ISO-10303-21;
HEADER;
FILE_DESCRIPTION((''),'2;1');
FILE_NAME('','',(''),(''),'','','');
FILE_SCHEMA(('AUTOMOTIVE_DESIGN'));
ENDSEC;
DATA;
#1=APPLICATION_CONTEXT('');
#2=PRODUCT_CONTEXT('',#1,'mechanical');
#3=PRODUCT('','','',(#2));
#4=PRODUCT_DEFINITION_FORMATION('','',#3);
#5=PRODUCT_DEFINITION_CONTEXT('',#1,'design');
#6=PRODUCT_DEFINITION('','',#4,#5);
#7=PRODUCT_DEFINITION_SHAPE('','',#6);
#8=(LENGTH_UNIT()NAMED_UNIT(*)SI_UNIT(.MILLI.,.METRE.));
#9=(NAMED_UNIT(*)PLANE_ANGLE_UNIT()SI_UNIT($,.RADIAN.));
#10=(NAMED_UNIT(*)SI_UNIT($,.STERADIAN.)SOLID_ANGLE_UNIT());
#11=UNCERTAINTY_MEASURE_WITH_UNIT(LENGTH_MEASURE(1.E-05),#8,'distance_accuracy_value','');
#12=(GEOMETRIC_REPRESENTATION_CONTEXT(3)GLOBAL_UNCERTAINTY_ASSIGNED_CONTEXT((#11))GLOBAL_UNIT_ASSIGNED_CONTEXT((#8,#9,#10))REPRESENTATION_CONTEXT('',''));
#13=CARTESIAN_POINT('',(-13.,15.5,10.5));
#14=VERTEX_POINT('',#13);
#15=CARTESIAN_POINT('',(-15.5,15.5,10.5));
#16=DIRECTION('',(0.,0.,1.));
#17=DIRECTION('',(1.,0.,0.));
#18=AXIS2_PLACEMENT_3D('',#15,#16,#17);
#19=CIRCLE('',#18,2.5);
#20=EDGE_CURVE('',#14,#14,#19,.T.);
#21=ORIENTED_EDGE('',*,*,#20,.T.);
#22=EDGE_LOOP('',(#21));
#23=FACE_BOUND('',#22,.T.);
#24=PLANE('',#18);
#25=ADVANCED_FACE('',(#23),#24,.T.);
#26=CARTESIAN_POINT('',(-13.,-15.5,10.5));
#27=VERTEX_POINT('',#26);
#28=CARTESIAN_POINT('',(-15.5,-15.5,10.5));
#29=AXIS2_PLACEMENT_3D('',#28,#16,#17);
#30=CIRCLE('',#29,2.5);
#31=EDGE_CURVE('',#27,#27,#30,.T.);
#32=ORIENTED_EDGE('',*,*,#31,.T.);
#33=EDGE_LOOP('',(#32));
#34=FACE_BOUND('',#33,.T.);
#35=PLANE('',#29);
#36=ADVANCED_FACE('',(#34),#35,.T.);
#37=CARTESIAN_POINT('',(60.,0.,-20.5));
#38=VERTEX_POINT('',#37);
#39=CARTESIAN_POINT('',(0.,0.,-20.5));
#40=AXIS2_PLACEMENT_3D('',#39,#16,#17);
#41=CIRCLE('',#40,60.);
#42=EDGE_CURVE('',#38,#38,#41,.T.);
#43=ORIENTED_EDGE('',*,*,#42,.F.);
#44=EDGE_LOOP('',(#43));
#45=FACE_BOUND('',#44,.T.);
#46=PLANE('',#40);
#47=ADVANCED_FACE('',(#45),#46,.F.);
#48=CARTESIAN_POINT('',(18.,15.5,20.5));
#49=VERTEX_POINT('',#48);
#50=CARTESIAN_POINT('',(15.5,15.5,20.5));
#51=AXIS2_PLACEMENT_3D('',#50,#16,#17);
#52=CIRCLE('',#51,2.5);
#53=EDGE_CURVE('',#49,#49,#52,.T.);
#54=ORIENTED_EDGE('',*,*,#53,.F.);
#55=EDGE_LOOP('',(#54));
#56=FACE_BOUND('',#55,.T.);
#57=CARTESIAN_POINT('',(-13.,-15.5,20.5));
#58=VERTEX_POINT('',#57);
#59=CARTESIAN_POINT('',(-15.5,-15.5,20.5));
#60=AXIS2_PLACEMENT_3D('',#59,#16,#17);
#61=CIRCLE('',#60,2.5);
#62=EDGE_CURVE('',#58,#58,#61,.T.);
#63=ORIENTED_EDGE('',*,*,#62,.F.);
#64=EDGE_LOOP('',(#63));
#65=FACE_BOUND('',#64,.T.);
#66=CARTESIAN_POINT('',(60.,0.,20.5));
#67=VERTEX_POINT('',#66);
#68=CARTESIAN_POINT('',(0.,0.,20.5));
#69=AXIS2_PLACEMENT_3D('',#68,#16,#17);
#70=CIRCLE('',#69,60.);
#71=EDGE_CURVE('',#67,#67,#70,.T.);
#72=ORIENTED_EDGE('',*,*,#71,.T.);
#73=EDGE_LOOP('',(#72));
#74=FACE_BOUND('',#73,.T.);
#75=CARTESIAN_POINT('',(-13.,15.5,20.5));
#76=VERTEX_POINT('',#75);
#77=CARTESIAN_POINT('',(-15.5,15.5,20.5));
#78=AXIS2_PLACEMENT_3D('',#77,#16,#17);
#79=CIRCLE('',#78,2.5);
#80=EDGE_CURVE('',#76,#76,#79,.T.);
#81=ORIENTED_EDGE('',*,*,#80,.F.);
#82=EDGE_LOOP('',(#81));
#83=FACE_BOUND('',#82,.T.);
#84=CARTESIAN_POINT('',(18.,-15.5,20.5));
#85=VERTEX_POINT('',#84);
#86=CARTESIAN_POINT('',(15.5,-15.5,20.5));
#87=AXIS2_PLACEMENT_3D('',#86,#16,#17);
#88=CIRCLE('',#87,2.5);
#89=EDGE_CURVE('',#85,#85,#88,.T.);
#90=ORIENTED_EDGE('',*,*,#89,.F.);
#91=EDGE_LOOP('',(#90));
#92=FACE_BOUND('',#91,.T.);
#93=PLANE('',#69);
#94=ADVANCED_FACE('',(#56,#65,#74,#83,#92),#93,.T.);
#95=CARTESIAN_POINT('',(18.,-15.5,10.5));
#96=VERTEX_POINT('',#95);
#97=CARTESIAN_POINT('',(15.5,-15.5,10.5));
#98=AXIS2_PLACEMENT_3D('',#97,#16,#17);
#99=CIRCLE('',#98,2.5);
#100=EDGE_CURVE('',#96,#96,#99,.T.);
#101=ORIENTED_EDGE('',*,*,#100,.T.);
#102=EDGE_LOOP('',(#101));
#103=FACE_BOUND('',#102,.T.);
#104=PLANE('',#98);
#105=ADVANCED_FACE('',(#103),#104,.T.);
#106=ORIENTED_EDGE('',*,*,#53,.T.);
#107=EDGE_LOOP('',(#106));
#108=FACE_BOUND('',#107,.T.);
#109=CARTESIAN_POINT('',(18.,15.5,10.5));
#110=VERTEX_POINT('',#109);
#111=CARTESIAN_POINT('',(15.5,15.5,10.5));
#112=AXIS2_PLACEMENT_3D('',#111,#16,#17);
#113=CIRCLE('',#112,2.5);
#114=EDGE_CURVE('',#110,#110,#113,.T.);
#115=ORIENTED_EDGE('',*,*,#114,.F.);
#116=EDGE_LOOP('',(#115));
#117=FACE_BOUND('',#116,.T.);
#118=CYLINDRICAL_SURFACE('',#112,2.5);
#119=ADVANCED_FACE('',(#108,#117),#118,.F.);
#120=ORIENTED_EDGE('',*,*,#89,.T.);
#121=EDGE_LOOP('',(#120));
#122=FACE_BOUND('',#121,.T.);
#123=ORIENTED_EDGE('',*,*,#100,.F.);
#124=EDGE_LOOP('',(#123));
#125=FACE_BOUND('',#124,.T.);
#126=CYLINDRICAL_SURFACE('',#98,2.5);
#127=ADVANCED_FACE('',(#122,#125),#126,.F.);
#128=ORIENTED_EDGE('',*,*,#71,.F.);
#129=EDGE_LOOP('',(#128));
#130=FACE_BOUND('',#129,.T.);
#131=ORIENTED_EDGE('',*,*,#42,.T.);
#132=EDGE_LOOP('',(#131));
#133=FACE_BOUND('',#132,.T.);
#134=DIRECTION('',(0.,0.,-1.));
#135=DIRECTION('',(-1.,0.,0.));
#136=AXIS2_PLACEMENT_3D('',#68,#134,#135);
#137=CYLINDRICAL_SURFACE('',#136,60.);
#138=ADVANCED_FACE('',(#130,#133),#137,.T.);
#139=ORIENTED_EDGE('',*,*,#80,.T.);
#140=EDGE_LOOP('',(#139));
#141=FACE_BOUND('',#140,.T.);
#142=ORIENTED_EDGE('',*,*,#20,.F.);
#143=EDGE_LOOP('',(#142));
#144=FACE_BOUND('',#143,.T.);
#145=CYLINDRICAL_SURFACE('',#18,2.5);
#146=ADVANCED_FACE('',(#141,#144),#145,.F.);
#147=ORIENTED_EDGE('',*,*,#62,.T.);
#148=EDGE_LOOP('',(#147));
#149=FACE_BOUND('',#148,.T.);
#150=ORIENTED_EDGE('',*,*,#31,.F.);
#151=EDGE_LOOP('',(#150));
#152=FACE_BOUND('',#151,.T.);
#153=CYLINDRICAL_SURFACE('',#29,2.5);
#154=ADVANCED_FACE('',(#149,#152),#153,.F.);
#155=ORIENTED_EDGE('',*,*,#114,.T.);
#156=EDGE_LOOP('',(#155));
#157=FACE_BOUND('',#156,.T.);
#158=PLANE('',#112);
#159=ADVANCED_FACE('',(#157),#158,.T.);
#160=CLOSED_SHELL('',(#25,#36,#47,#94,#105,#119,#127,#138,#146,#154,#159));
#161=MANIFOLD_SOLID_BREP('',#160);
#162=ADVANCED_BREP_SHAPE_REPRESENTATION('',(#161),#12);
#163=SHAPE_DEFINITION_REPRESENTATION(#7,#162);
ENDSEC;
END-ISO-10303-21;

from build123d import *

# Parameters (mm, degrees)
SKETCH1_R           = 60
BOSS_EXTRUDE1_DEPTH = 20.5
SKETCH2_R           = 2.5
CUT_EXTRUDE1_DEPTH  = 10


with BuildPart() as part:
    # Sketch1 → Boss-Extrude1 (new, symmetric)
    with BuildSketch(Plane.XY):
        Circle(SKETCH1_R)
    extrude(amount=BOSS_EXTRUDE1_DEPTH, both=True)

    # Sketch2 → Cut-Extrude1 (cut)
    with BuildSketch(Plane.XY.offset(20.5)):
        with Locations((-15.5, 15.5)):
            Circle(SKETCH2_R)
        with Locations((15.5, 15.5)):
            Circle(SKETCH2_R)
        with Locations((15.5, -15.5)):
            Circle(SKETCH2_R)
        with Locations((-15.5, -15.5)):
            Circle(SKETCH2_R)
    extrude(amount=-CUT_EXTRUDE1_DEPTH, mode=Mode.SUBTRACT)


solid = part.part
